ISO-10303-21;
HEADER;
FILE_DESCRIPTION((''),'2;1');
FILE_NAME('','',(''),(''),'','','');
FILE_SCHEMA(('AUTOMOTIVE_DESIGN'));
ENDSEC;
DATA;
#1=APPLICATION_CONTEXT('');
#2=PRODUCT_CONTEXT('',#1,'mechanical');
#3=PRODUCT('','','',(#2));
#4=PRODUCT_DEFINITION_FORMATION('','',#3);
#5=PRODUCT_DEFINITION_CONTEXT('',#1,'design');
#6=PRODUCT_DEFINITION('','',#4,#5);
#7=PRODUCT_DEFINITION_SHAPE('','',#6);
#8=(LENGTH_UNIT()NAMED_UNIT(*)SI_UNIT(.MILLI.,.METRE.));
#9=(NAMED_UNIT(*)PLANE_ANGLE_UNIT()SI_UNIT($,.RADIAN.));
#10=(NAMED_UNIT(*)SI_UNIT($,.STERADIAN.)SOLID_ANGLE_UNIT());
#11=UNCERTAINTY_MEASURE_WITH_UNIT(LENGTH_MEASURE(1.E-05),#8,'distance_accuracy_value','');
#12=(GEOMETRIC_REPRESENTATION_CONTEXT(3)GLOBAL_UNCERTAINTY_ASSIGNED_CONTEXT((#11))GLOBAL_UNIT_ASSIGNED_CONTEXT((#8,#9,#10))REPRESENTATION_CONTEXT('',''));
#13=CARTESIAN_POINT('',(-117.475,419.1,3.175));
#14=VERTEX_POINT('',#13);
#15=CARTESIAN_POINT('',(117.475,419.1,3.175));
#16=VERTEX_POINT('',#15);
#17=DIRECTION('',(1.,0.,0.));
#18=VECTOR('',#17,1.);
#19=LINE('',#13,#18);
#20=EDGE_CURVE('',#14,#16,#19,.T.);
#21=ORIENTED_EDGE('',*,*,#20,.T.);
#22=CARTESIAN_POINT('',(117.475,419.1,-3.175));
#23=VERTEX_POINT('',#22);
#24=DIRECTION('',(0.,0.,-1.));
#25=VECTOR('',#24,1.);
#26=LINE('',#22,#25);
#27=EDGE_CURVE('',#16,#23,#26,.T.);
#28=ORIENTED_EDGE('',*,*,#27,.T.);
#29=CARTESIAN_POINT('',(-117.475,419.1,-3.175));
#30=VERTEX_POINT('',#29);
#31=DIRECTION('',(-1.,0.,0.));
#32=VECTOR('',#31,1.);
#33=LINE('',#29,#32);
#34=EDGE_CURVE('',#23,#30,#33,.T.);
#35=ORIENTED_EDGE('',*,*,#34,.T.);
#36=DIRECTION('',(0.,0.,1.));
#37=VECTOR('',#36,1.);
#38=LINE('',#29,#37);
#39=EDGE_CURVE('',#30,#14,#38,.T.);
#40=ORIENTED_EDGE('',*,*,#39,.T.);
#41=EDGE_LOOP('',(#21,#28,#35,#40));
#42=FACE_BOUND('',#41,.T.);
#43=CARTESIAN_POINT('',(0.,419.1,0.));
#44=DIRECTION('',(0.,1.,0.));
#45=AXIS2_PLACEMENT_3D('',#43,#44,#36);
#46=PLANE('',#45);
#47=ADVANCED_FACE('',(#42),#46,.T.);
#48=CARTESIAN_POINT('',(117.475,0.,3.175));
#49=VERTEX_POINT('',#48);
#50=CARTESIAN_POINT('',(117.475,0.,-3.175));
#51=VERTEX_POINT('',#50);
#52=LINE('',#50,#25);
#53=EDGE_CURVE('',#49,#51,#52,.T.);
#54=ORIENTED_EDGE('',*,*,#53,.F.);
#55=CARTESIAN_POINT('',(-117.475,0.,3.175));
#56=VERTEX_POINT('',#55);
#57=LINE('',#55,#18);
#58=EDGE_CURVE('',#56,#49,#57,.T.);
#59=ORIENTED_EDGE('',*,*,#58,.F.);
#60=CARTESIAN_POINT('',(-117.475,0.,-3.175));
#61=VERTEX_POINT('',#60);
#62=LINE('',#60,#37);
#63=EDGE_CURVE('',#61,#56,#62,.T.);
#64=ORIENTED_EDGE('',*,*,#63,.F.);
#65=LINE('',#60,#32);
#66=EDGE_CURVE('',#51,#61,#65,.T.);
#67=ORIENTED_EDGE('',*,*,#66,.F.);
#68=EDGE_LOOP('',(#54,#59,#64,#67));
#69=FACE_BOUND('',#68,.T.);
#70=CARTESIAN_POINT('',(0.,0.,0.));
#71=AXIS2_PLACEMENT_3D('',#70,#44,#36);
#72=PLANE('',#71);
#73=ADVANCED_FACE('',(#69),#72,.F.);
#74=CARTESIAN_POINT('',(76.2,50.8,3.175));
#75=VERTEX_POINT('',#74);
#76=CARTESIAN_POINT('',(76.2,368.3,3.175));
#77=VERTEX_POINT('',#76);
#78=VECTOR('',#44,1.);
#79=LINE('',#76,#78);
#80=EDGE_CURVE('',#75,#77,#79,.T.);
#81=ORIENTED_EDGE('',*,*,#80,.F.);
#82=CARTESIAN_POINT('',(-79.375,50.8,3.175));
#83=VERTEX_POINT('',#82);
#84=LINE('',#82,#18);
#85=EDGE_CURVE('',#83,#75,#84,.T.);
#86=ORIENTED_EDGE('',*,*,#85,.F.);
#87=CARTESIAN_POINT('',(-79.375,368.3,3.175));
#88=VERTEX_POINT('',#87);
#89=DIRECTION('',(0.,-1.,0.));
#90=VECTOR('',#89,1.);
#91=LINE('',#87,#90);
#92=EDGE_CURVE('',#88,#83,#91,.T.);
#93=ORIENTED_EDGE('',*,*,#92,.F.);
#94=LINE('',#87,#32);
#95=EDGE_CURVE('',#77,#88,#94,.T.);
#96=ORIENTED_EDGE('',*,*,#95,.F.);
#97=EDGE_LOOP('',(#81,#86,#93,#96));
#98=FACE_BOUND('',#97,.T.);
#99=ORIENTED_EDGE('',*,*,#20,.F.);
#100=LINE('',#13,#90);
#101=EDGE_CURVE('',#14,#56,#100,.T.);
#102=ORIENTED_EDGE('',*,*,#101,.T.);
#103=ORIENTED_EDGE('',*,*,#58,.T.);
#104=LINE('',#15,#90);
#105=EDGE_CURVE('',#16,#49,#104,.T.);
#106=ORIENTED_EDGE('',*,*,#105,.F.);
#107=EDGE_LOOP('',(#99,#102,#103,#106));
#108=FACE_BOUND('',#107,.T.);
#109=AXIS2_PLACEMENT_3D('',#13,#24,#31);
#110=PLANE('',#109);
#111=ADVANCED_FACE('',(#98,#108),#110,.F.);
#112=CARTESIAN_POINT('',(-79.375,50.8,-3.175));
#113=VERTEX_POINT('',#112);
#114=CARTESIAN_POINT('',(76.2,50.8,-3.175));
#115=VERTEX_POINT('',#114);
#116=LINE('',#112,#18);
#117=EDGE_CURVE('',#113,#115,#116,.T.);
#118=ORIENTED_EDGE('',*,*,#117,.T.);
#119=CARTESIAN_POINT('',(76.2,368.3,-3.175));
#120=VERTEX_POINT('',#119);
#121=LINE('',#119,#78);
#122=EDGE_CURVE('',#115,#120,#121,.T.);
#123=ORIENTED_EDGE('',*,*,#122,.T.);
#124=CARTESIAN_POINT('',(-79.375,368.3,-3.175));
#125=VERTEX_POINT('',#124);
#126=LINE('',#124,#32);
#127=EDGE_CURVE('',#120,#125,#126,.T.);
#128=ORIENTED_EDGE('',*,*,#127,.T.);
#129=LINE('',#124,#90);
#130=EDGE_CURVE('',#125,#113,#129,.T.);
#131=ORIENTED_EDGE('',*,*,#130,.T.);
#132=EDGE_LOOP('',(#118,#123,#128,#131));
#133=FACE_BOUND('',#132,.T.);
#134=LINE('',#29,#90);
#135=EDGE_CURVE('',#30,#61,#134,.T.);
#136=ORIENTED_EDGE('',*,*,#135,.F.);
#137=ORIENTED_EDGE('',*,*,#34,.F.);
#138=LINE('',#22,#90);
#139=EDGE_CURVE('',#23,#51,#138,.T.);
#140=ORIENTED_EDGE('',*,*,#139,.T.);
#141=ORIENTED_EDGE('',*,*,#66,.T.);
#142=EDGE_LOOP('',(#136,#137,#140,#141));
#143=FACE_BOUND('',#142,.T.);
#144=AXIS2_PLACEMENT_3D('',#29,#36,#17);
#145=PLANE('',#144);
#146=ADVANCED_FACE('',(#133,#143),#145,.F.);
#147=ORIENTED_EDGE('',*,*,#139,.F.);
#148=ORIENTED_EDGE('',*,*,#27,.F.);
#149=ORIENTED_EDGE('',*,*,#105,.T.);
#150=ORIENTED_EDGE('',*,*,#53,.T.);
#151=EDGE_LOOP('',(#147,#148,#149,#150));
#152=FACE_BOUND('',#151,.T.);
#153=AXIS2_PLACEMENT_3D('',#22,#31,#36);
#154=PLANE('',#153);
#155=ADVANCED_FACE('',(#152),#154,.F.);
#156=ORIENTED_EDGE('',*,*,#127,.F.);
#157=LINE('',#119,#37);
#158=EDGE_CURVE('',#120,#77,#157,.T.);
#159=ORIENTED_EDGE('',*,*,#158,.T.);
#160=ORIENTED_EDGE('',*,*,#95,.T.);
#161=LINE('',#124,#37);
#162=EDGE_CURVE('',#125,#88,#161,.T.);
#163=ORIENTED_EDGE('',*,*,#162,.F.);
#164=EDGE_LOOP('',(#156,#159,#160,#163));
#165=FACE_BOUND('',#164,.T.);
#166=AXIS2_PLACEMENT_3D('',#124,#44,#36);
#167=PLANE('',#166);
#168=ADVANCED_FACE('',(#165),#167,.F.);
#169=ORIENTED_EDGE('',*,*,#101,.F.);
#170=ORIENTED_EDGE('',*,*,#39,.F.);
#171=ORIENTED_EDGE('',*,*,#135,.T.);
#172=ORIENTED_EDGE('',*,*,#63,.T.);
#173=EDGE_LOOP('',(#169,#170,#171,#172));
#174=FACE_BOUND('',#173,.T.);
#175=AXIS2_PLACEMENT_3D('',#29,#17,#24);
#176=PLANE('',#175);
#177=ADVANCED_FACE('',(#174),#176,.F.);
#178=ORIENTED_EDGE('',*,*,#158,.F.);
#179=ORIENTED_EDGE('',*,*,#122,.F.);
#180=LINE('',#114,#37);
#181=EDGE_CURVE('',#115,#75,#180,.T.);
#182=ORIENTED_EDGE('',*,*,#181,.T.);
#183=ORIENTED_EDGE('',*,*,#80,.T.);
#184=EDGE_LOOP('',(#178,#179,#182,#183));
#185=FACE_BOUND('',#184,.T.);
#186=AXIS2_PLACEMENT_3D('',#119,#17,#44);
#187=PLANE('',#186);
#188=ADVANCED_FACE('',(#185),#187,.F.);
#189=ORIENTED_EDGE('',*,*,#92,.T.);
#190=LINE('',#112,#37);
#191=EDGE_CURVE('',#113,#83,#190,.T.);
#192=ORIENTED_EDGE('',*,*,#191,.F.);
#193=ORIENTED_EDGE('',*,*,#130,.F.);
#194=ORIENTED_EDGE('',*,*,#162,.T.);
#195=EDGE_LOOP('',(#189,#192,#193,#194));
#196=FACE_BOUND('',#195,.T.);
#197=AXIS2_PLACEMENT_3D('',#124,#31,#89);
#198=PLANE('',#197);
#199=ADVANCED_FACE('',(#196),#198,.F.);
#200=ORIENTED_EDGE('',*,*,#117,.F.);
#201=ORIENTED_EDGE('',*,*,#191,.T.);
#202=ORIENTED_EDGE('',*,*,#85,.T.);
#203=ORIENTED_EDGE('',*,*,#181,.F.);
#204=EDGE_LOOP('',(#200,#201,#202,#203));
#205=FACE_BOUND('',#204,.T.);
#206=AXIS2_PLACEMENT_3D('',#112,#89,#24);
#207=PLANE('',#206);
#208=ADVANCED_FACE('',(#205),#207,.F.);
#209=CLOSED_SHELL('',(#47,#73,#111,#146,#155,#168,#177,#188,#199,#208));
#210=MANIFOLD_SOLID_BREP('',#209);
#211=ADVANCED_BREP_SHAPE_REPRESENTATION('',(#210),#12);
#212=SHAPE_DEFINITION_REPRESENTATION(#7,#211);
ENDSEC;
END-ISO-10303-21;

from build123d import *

# Parameters (mm, degrees)
CROQUIS2_W              = 234.95
CROQUIS2_H              = 6.35
SALIENTE_EXTRUIR1_DEPTH = 419.1
CROQUIS7_W              = 155.575
CROQUIS7_H              = 317.5
CORTAR_EXTRUIR3_DEPTH   = 6.35


with BuildPart() as part:
    # Croquis2 → Saliente-Extruir1 (new body)
    with BuildSketch(Plane(origin=(0, 0, 0), x_dir=(1, 0, 0), z_dir=(0, 1, 0))):
        Rectangle(CROQUIS2_W, CROQUIS2_H)
    extrude(amount=SALIENTE_EXTRUIR1_DEPTH)

    # Croquis7 → Cortar-Extruir3 (cut)
    with BuildSketch(Plane.XY.offset(3.175)):
        with Locations((-1.5875, 209.55)):
            Rectangle(CROQUIS7_W, CROQUIS7_H)
    extrude(amount=-CORTAR_EXTRUIR3_DEPTH, mode=Mode.SUBTRACT)


solid = part.part
